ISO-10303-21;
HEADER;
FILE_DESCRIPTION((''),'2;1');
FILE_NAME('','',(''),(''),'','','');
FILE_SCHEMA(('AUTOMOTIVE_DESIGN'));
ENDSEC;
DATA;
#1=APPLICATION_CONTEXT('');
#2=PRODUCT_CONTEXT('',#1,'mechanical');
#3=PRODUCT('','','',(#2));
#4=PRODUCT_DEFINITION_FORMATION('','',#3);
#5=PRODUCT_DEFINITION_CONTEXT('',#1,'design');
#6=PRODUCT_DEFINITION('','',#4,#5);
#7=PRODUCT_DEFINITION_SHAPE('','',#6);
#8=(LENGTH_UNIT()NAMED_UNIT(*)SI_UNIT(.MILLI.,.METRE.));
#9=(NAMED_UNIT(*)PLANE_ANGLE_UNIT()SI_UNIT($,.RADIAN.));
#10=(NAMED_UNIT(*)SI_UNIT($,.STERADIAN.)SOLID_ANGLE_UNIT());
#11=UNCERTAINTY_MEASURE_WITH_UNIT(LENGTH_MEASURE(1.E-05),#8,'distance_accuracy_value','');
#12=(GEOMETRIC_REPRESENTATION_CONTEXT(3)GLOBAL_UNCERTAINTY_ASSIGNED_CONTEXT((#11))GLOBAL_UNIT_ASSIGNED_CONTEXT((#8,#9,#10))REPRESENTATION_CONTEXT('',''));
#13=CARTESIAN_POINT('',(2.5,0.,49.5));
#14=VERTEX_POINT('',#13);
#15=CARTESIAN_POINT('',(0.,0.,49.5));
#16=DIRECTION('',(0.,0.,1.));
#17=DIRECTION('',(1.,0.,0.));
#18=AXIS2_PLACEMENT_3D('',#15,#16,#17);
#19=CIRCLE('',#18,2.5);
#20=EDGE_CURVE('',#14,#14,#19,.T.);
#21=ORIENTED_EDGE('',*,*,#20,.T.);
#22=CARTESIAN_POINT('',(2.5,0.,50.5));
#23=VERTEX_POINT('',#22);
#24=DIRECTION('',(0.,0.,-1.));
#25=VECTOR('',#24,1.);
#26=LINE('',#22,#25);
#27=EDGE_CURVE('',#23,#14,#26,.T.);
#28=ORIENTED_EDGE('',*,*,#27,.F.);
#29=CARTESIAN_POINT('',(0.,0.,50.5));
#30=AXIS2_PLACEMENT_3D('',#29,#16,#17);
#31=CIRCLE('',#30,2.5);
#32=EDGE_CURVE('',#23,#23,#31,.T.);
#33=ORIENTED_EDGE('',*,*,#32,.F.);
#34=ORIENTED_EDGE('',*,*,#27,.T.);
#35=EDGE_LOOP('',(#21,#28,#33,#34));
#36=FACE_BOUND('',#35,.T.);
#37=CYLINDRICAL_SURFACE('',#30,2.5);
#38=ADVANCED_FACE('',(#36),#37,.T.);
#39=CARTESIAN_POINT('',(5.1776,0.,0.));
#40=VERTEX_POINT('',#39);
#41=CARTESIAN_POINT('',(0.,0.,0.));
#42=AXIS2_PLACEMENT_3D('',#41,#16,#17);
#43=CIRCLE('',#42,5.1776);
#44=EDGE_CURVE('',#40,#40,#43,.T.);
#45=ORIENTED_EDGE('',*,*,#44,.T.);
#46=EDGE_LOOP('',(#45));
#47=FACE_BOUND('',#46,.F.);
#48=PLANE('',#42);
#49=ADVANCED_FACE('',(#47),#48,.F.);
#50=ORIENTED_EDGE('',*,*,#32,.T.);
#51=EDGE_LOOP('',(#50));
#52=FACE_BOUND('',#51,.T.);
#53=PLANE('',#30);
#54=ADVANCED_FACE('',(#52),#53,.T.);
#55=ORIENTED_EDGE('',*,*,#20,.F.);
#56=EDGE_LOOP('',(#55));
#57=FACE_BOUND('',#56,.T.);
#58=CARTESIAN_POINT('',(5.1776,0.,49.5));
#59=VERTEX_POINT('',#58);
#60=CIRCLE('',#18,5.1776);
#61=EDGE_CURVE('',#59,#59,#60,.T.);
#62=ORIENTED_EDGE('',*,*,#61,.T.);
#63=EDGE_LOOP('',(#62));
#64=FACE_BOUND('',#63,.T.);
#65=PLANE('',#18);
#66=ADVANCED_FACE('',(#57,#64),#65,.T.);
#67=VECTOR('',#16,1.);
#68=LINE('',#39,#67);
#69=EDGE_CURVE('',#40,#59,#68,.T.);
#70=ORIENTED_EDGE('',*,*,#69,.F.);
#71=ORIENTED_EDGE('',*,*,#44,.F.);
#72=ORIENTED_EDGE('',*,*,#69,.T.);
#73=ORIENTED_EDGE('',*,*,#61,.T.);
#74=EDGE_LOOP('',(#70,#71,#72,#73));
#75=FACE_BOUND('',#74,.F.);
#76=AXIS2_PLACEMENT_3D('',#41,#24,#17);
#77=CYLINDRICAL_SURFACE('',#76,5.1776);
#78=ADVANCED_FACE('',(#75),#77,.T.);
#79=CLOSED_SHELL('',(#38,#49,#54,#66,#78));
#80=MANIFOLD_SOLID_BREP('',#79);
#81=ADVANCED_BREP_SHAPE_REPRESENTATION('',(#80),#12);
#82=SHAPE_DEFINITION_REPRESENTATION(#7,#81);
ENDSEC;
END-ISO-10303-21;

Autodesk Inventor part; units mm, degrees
ref_plane "YZ Plane" through (0, 0, 0) normal (1, 0, 0) x (0, 1, 0)
ref_plane "XZ Plane" through (0, 0, 0) normal (0, 1, 0) x (-1, 0, 0)
ref_plane "XY Plane" through (0, 0, 0) normal (0, 0, 1) x (1, 0, 0)
sketch "スケッチ1" plane through (0, 0, 0) normal (0, 0, 1) x (1, 0, 0)
  circle A0 centre (0, 0) radius 5.1776
  dimension "d0" = 10.3552
extrude "押し出し1" add sketch "スケッチ1" along normal blind 50.5
sketch "スケッチ2" plane through (0, 0, 50.5) normal (0, 0, 1) x (1, 0, 0)
  circle A0 centre (0, 0) radius 2.5
  circle A1 centre (0, 0) radius 5.1776 projected
  dimension "d3" = 5
extrude "押し出し2" cut sketch "スケッチ2" against normal blind 1
properties part number "単３電池"
